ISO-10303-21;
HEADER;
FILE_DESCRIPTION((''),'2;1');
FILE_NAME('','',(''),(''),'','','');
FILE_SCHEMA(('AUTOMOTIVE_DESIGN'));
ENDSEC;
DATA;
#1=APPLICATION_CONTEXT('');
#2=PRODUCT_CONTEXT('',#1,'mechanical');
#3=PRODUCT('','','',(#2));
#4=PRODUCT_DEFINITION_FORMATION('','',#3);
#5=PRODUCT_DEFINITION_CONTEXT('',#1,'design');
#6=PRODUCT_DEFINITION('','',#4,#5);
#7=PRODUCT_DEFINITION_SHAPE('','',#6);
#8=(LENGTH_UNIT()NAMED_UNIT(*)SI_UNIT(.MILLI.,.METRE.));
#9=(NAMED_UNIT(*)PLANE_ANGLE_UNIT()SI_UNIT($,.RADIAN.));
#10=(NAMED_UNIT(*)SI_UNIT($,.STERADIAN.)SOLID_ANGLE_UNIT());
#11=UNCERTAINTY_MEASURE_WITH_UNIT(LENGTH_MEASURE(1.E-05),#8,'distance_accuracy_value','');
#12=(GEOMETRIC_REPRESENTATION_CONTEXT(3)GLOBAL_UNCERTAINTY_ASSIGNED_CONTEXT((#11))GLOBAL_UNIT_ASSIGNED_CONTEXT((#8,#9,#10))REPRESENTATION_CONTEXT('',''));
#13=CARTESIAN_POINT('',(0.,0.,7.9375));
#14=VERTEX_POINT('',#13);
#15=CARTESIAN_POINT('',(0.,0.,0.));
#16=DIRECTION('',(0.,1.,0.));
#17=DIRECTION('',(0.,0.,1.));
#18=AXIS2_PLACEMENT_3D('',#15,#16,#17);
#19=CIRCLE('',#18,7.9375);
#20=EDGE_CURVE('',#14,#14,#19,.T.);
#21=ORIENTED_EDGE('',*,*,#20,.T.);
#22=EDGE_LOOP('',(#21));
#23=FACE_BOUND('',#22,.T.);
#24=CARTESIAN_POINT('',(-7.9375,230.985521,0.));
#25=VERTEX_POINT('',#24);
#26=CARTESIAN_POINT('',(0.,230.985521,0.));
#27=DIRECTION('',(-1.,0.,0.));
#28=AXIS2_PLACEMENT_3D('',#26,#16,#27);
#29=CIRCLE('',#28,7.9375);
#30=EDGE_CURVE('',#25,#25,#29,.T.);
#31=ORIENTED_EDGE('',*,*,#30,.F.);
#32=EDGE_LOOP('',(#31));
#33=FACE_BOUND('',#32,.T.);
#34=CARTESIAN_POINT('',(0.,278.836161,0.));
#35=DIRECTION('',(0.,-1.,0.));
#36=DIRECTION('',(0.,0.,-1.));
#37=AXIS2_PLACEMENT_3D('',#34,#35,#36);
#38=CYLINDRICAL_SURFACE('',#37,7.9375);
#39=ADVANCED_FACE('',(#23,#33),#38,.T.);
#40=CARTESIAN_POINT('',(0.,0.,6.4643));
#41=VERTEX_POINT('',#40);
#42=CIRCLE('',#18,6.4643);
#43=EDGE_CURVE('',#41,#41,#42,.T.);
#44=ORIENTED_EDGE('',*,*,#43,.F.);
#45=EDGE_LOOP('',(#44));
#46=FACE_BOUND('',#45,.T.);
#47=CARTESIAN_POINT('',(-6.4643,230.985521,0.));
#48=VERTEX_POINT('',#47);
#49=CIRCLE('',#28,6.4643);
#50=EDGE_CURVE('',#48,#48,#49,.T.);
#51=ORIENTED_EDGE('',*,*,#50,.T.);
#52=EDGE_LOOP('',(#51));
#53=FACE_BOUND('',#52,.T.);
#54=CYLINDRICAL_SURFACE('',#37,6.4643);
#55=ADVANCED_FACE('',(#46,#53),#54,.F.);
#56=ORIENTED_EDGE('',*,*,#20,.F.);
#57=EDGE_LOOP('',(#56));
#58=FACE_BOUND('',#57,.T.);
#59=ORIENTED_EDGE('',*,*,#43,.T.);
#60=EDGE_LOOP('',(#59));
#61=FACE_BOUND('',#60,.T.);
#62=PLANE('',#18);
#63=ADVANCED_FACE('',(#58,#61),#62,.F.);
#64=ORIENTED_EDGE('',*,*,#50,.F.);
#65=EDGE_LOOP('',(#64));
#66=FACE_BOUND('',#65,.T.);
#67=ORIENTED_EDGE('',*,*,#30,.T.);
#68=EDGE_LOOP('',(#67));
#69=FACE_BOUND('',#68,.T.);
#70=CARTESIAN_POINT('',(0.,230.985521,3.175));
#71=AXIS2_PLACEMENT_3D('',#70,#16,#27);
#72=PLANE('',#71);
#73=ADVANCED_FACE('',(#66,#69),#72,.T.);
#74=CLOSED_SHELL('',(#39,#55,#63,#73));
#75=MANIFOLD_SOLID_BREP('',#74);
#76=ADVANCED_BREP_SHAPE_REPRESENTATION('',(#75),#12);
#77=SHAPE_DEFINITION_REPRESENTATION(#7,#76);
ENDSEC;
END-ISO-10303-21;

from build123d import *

# Parameters (mm, degrees)
SKETCH1_R           = 7.9375
SKETCH1_R_2         = 6.4643
BOSS_EXTRUDE1_DEPTH = 230.985520837


with BuildPart() as part:
    # Sketch1 → Boss-Extrude1 (new body)
    with BuildSketch(Plane(origin=(0, 0, 0), x_dir=(1, 0, 0), z_dir=(0, 1, 0))):
        with Locations(Location((0, 0, 0), (0, 0, 180))):
            Circle(SKETCH1_R)
        with Locations(Location((0, 0, 0), (0, 0, 180))):
            Circle(SKETCH1_R_2, mode=Mode.SUBTRACT)
    extrude(amount=BOSS_EXTRUDE1_DEPTH)


solid = part.part
